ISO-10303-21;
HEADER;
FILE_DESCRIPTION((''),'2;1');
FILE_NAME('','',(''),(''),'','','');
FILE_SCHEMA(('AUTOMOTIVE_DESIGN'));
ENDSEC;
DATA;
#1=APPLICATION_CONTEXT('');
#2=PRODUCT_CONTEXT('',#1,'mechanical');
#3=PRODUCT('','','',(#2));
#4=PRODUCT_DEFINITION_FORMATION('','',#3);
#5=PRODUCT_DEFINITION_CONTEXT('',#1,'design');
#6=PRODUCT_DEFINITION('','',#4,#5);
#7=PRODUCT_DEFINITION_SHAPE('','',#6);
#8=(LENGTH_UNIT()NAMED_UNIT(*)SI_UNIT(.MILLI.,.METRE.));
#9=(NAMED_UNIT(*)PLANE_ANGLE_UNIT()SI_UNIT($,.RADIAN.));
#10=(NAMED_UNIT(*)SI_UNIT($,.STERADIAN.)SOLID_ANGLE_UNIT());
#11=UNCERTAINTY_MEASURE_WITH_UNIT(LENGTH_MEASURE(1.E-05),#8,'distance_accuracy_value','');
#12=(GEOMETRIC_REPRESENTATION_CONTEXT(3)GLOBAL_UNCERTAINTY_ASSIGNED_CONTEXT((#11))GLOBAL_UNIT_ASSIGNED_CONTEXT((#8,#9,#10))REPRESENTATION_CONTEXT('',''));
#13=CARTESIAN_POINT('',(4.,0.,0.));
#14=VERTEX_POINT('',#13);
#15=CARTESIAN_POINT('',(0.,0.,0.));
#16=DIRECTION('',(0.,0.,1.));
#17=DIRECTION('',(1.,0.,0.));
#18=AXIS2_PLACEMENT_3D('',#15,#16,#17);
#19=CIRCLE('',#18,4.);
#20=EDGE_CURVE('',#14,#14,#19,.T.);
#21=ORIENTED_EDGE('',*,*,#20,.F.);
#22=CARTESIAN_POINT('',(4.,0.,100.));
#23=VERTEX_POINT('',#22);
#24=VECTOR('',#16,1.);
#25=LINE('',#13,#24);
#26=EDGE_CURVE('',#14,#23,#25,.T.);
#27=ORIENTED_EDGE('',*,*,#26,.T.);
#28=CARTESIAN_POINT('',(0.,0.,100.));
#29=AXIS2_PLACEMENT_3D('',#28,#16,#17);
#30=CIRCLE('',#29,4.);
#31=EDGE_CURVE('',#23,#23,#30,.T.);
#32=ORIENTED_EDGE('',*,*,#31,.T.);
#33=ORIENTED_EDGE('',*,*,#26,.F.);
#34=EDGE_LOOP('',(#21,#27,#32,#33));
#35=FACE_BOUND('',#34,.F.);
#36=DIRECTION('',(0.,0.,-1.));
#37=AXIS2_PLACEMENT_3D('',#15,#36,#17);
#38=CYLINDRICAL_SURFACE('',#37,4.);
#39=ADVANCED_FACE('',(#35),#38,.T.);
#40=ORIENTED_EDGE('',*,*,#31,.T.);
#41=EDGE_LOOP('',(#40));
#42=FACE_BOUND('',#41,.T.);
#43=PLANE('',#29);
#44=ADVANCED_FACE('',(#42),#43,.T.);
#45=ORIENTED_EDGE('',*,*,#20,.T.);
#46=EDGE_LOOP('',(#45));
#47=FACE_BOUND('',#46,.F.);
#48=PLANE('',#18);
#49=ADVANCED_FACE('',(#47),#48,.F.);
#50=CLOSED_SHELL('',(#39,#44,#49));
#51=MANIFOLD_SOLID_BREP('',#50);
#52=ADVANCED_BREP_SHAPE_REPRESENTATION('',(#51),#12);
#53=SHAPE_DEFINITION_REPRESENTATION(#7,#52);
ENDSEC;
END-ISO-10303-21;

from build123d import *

# Parameters (mm, degrees)
SKETCH_1_R      = 4
EXTRUDE_1_DEPTH = 100


with BuildPart() as part:
    # 草图1 → 凸台-拉伸1 (new body)
    with BuildSketch(Plane.XY):
        Circle(SKETCH_1_R)
    extrude(amount=EXTRUDE_1_DEPTH)


solid = part.part
